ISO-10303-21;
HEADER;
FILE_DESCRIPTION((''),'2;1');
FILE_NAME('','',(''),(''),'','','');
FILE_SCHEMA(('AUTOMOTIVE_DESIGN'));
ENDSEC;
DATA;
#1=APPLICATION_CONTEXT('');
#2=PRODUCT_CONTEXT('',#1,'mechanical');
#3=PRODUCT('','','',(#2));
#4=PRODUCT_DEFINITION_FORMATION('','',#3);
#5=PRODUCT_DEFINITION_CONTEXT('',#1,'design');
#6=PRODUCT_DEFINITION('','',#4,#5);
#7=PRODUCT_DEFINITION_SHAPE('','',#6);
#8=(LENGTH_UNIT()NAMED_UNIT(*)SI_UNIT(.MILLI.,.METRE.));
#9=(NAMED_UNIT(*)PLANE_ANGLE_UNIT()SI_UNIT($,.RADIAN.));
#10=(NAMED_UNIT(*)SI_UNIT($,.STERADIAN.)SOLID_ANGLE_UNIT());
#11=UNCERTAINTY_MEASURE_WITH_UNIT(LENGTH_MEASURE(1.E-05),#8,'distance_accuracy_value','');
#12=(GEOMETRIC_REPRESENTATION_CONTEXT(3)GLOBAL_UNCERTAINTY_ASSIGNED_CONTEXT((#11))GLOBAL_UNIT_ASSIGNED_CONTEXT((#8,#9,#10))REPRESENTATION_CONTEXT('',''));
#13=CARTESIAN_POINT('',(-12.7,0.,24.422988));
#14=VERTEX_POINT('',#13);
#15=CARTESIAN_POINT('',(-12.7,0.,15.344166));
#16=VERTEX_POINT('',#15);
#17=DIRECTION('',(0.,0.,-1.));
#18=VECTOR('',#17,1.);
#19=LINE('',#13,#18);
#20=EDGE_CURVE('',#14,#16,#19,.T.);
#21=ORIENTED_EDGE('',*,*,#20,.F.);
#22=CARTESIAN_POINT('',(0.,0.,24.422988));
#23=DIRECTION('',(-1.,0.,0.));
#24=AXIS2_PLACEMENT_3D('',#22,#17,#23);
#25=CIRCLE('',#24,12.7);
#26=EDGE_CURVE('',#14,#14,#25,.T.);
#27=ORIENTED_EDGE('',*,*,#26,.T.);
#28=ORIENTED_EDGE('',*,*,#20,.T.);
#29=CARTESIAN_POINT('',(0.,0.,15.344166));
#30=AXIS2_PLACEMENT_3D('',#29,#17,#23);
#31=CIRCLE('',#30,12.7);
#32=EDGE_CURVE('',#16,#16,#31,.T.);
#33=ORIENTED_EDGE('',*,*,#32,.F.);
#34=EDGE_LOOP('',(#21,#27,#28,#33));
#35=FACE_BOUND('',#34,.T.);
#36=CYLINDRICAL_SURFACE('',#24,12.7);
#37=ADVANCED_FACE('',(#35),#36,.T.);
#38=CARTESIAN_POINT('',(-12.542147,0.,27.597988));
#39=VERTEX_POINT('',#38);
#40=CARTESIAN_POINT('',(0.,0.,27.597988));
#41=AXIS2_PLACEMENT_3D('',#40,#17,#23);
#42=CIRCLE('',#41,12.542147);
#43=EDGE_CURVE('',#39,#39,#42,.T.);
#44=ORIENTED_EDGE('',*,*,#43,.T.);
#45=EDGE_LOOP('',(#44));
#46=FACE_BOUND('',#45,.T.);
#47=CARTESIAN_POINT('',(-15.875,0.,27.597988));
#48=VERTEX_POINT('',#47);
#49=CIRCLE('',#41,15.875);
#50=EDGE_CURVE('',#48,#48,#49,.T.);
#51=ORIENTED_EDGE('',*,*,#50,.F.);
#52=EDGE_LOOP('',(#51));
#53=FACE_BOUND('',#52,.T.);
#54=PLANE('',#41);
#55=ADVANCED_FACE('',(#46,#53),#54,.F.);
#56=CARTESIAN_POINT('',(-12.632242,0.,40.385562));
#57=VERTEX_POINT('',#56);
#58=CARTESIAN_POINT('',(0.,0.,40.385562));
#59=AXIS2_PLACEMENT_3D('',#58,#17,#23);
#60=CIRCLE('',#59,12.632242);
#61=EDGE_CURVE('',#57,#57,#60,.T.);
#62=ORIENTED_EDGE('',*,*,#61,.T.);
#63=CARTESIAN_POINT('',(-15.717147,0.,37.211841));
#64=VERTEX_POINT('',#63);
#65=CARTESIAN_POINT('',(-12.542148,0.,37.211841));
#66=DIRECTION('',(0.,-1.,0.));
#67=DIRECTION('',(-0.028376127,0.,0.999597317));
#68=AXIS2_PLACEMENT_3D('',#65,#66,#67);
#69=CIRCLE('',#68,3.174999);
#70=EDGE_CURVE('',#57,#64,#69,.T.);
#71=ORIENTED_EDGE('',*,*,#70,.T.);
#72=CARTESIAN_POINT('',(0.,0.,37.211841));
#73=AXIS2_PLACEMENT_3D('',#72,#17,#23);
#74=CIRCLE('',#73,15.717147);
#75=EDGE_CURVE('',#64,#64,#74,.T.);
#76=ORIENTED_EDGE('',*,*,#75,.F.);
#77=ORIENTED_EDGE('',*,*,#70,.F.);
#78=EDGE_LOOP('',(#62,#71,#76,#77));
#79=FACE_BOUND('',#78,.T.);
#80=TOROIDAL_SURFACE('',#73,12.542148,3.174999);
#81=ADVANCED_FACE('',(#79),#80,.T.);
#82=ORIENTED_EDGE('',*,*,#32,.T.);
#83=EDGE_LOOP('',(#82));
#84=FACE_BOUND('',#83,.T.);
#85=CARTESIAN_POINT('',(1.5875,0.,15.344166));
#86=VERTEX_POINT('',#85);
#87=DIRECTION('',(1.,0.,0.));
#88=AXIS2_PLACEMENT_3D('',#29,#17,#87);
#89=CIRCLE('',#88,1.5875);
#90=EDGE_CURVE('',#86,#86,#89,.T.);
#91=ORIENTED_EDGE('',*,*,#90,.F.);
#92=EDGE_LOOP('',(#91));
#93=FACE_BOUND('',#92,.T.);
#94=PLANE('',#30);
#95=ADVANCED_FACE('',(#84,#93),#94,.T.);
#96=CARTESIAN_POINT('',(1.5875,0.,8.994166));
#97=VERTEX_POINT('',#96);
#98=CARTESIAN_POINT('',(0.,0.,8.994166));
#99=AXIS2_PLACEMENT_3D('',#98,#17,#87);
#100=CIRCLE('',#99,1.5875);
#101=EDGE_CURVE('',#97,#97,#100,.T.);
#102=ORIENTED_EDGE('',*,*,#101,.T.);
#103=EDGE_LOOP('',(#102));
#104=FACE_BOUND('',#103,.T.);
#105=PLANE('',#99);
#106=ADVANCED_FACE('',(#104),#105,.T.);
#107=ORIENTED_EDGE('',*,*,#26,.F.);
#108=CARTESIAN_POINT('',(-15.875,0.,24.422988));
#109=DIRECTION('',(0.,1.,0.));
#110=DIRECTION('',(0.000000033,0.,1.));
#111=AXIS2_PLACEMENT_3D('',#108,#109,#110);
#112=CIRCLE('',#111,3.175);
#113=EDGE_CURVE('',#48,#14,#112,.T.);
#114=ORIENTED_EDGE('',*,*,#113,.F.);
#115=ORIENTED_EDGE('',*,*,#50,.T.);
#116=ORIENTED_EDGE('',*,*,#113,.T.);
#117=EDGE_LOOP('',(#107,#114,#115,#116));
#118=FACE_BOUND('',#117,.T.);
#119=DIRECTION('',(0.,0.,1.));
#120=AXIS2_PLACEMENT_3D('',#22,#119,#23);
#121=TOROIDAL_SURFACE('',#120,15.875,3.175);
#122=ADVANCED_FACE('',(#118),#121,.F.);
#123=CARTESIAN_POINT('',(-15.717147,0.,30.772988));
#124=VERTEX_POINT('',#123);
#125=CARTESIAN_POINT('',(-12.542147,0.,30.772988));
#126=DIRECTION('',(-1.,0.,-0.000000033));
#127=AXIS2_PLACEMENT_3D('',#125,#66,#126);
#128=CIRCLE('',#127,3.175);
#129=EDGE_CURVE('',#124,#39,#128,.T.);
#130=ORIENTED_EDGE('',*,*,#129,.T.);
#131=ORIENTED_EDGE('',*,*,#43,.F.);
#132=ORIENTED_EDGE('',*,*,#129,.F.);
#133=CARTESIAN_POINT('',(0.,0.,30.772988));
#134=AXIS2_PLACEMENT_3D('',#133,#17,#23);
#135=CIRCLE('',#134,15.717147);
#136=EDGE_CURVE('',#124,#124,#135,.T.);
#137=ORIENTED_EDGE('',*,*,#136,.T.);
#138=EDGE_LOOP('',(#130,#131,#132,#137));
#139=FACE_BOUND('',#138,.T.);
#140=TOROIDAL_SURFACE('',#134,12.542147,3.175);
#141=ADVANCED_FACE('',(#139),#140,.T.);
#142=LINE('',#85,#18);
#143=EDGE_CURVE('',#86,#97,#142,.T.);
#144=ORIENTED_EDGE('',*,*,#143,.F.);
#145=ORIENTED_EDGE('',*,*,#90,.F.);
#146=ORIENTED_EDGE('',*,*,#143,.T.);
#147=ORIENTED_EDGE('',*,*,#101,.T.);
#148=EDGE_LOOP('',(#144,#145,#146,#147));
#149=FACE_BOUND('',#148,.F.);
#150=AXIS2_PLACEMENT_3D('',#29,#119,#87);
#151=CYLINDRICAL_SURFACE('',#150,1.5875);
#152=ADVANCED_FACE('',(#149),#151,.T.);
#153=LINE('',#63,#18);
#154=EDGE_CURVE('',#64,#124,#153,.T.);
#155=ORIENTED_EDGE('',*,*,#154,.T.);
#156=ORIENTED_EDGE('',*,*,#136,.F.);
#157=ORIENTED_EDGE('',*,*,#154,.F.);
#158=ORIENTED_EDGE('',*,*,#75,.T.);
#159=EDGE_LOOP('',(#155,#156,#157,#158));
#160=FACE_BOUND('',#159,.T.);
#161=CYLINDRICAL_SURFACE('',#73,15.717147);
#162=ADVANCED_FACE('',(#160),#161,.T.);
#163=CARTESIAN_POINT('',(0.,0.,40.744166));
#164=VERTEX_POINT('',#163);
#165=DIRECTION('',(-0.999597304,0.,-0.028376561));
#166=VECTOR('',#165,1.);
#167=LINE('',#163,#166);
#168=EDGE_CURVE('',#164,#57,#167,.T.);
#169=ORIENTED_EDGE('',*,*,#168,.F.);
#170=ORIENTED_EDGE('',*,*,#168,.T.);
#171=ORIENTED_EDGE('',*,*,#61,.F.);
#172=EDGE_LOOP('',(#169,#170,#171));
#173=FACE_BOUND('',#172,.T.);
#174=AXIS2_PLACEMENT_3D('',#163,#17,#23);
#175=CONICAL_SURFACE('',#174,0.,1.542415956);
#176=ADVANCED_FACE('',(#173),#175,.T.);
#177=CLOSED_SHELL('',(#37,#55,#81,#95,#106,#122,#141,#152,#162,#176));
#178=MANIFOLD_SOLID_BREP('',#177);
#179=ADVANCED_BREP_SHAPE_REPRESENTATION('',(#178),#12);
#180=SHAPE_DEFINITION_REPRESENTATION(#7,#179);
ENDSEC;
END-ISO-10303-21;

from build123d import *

# Parameters (mm, degrees)
F2_R     = 1.5875
F3_DEPTH = 6.35


with BuildPart() as f1:
    # F0 (on Front) → F1 (revolve)
    with BuildSketch(Plane.XZ):
        with BuildLine():
            Line((-12.7, 15.344166), (0, 15.344166))
            Line((0, 15.344166), (0, 40.744166))
            Line((0, 40.744166), (-12.632242, 40.385562))
            ThreePointArc((-12.632242, 40.385562), (-14.818842, 39.424822), (-15.717147, 37.211841))
            Line((-15.717147, 37.211841), (-15.717147, 30.772988))
            ThreePointArc((-15.717147, 30.772988), (-14.787211, 28.527924), (-12.542147, 27.597988))
            Line((-12.542147, 27.597988), (-15.875, 27.597988))
            ThreePointArc((-15.875, 27.597988), (-13.629936, 26.668052), (-12.7, 24.422988))
            Line((-12.7, 24.422988), (-12.7, 15.344166))
        make_face()
    revolve(axis=Axis((0, 0, 28.044166), (0, 0, -1)))

    # F2 (on face) → F3 (join)
    with BuildSketch(Plane(origin=(0, 0, 15.344166), x_dir=(1, 0, 0), z_dir=(0, 0, -1))):
        Circle(F2_R)
    extrude(amount=F3_DEPTH)


solid = f1.part
